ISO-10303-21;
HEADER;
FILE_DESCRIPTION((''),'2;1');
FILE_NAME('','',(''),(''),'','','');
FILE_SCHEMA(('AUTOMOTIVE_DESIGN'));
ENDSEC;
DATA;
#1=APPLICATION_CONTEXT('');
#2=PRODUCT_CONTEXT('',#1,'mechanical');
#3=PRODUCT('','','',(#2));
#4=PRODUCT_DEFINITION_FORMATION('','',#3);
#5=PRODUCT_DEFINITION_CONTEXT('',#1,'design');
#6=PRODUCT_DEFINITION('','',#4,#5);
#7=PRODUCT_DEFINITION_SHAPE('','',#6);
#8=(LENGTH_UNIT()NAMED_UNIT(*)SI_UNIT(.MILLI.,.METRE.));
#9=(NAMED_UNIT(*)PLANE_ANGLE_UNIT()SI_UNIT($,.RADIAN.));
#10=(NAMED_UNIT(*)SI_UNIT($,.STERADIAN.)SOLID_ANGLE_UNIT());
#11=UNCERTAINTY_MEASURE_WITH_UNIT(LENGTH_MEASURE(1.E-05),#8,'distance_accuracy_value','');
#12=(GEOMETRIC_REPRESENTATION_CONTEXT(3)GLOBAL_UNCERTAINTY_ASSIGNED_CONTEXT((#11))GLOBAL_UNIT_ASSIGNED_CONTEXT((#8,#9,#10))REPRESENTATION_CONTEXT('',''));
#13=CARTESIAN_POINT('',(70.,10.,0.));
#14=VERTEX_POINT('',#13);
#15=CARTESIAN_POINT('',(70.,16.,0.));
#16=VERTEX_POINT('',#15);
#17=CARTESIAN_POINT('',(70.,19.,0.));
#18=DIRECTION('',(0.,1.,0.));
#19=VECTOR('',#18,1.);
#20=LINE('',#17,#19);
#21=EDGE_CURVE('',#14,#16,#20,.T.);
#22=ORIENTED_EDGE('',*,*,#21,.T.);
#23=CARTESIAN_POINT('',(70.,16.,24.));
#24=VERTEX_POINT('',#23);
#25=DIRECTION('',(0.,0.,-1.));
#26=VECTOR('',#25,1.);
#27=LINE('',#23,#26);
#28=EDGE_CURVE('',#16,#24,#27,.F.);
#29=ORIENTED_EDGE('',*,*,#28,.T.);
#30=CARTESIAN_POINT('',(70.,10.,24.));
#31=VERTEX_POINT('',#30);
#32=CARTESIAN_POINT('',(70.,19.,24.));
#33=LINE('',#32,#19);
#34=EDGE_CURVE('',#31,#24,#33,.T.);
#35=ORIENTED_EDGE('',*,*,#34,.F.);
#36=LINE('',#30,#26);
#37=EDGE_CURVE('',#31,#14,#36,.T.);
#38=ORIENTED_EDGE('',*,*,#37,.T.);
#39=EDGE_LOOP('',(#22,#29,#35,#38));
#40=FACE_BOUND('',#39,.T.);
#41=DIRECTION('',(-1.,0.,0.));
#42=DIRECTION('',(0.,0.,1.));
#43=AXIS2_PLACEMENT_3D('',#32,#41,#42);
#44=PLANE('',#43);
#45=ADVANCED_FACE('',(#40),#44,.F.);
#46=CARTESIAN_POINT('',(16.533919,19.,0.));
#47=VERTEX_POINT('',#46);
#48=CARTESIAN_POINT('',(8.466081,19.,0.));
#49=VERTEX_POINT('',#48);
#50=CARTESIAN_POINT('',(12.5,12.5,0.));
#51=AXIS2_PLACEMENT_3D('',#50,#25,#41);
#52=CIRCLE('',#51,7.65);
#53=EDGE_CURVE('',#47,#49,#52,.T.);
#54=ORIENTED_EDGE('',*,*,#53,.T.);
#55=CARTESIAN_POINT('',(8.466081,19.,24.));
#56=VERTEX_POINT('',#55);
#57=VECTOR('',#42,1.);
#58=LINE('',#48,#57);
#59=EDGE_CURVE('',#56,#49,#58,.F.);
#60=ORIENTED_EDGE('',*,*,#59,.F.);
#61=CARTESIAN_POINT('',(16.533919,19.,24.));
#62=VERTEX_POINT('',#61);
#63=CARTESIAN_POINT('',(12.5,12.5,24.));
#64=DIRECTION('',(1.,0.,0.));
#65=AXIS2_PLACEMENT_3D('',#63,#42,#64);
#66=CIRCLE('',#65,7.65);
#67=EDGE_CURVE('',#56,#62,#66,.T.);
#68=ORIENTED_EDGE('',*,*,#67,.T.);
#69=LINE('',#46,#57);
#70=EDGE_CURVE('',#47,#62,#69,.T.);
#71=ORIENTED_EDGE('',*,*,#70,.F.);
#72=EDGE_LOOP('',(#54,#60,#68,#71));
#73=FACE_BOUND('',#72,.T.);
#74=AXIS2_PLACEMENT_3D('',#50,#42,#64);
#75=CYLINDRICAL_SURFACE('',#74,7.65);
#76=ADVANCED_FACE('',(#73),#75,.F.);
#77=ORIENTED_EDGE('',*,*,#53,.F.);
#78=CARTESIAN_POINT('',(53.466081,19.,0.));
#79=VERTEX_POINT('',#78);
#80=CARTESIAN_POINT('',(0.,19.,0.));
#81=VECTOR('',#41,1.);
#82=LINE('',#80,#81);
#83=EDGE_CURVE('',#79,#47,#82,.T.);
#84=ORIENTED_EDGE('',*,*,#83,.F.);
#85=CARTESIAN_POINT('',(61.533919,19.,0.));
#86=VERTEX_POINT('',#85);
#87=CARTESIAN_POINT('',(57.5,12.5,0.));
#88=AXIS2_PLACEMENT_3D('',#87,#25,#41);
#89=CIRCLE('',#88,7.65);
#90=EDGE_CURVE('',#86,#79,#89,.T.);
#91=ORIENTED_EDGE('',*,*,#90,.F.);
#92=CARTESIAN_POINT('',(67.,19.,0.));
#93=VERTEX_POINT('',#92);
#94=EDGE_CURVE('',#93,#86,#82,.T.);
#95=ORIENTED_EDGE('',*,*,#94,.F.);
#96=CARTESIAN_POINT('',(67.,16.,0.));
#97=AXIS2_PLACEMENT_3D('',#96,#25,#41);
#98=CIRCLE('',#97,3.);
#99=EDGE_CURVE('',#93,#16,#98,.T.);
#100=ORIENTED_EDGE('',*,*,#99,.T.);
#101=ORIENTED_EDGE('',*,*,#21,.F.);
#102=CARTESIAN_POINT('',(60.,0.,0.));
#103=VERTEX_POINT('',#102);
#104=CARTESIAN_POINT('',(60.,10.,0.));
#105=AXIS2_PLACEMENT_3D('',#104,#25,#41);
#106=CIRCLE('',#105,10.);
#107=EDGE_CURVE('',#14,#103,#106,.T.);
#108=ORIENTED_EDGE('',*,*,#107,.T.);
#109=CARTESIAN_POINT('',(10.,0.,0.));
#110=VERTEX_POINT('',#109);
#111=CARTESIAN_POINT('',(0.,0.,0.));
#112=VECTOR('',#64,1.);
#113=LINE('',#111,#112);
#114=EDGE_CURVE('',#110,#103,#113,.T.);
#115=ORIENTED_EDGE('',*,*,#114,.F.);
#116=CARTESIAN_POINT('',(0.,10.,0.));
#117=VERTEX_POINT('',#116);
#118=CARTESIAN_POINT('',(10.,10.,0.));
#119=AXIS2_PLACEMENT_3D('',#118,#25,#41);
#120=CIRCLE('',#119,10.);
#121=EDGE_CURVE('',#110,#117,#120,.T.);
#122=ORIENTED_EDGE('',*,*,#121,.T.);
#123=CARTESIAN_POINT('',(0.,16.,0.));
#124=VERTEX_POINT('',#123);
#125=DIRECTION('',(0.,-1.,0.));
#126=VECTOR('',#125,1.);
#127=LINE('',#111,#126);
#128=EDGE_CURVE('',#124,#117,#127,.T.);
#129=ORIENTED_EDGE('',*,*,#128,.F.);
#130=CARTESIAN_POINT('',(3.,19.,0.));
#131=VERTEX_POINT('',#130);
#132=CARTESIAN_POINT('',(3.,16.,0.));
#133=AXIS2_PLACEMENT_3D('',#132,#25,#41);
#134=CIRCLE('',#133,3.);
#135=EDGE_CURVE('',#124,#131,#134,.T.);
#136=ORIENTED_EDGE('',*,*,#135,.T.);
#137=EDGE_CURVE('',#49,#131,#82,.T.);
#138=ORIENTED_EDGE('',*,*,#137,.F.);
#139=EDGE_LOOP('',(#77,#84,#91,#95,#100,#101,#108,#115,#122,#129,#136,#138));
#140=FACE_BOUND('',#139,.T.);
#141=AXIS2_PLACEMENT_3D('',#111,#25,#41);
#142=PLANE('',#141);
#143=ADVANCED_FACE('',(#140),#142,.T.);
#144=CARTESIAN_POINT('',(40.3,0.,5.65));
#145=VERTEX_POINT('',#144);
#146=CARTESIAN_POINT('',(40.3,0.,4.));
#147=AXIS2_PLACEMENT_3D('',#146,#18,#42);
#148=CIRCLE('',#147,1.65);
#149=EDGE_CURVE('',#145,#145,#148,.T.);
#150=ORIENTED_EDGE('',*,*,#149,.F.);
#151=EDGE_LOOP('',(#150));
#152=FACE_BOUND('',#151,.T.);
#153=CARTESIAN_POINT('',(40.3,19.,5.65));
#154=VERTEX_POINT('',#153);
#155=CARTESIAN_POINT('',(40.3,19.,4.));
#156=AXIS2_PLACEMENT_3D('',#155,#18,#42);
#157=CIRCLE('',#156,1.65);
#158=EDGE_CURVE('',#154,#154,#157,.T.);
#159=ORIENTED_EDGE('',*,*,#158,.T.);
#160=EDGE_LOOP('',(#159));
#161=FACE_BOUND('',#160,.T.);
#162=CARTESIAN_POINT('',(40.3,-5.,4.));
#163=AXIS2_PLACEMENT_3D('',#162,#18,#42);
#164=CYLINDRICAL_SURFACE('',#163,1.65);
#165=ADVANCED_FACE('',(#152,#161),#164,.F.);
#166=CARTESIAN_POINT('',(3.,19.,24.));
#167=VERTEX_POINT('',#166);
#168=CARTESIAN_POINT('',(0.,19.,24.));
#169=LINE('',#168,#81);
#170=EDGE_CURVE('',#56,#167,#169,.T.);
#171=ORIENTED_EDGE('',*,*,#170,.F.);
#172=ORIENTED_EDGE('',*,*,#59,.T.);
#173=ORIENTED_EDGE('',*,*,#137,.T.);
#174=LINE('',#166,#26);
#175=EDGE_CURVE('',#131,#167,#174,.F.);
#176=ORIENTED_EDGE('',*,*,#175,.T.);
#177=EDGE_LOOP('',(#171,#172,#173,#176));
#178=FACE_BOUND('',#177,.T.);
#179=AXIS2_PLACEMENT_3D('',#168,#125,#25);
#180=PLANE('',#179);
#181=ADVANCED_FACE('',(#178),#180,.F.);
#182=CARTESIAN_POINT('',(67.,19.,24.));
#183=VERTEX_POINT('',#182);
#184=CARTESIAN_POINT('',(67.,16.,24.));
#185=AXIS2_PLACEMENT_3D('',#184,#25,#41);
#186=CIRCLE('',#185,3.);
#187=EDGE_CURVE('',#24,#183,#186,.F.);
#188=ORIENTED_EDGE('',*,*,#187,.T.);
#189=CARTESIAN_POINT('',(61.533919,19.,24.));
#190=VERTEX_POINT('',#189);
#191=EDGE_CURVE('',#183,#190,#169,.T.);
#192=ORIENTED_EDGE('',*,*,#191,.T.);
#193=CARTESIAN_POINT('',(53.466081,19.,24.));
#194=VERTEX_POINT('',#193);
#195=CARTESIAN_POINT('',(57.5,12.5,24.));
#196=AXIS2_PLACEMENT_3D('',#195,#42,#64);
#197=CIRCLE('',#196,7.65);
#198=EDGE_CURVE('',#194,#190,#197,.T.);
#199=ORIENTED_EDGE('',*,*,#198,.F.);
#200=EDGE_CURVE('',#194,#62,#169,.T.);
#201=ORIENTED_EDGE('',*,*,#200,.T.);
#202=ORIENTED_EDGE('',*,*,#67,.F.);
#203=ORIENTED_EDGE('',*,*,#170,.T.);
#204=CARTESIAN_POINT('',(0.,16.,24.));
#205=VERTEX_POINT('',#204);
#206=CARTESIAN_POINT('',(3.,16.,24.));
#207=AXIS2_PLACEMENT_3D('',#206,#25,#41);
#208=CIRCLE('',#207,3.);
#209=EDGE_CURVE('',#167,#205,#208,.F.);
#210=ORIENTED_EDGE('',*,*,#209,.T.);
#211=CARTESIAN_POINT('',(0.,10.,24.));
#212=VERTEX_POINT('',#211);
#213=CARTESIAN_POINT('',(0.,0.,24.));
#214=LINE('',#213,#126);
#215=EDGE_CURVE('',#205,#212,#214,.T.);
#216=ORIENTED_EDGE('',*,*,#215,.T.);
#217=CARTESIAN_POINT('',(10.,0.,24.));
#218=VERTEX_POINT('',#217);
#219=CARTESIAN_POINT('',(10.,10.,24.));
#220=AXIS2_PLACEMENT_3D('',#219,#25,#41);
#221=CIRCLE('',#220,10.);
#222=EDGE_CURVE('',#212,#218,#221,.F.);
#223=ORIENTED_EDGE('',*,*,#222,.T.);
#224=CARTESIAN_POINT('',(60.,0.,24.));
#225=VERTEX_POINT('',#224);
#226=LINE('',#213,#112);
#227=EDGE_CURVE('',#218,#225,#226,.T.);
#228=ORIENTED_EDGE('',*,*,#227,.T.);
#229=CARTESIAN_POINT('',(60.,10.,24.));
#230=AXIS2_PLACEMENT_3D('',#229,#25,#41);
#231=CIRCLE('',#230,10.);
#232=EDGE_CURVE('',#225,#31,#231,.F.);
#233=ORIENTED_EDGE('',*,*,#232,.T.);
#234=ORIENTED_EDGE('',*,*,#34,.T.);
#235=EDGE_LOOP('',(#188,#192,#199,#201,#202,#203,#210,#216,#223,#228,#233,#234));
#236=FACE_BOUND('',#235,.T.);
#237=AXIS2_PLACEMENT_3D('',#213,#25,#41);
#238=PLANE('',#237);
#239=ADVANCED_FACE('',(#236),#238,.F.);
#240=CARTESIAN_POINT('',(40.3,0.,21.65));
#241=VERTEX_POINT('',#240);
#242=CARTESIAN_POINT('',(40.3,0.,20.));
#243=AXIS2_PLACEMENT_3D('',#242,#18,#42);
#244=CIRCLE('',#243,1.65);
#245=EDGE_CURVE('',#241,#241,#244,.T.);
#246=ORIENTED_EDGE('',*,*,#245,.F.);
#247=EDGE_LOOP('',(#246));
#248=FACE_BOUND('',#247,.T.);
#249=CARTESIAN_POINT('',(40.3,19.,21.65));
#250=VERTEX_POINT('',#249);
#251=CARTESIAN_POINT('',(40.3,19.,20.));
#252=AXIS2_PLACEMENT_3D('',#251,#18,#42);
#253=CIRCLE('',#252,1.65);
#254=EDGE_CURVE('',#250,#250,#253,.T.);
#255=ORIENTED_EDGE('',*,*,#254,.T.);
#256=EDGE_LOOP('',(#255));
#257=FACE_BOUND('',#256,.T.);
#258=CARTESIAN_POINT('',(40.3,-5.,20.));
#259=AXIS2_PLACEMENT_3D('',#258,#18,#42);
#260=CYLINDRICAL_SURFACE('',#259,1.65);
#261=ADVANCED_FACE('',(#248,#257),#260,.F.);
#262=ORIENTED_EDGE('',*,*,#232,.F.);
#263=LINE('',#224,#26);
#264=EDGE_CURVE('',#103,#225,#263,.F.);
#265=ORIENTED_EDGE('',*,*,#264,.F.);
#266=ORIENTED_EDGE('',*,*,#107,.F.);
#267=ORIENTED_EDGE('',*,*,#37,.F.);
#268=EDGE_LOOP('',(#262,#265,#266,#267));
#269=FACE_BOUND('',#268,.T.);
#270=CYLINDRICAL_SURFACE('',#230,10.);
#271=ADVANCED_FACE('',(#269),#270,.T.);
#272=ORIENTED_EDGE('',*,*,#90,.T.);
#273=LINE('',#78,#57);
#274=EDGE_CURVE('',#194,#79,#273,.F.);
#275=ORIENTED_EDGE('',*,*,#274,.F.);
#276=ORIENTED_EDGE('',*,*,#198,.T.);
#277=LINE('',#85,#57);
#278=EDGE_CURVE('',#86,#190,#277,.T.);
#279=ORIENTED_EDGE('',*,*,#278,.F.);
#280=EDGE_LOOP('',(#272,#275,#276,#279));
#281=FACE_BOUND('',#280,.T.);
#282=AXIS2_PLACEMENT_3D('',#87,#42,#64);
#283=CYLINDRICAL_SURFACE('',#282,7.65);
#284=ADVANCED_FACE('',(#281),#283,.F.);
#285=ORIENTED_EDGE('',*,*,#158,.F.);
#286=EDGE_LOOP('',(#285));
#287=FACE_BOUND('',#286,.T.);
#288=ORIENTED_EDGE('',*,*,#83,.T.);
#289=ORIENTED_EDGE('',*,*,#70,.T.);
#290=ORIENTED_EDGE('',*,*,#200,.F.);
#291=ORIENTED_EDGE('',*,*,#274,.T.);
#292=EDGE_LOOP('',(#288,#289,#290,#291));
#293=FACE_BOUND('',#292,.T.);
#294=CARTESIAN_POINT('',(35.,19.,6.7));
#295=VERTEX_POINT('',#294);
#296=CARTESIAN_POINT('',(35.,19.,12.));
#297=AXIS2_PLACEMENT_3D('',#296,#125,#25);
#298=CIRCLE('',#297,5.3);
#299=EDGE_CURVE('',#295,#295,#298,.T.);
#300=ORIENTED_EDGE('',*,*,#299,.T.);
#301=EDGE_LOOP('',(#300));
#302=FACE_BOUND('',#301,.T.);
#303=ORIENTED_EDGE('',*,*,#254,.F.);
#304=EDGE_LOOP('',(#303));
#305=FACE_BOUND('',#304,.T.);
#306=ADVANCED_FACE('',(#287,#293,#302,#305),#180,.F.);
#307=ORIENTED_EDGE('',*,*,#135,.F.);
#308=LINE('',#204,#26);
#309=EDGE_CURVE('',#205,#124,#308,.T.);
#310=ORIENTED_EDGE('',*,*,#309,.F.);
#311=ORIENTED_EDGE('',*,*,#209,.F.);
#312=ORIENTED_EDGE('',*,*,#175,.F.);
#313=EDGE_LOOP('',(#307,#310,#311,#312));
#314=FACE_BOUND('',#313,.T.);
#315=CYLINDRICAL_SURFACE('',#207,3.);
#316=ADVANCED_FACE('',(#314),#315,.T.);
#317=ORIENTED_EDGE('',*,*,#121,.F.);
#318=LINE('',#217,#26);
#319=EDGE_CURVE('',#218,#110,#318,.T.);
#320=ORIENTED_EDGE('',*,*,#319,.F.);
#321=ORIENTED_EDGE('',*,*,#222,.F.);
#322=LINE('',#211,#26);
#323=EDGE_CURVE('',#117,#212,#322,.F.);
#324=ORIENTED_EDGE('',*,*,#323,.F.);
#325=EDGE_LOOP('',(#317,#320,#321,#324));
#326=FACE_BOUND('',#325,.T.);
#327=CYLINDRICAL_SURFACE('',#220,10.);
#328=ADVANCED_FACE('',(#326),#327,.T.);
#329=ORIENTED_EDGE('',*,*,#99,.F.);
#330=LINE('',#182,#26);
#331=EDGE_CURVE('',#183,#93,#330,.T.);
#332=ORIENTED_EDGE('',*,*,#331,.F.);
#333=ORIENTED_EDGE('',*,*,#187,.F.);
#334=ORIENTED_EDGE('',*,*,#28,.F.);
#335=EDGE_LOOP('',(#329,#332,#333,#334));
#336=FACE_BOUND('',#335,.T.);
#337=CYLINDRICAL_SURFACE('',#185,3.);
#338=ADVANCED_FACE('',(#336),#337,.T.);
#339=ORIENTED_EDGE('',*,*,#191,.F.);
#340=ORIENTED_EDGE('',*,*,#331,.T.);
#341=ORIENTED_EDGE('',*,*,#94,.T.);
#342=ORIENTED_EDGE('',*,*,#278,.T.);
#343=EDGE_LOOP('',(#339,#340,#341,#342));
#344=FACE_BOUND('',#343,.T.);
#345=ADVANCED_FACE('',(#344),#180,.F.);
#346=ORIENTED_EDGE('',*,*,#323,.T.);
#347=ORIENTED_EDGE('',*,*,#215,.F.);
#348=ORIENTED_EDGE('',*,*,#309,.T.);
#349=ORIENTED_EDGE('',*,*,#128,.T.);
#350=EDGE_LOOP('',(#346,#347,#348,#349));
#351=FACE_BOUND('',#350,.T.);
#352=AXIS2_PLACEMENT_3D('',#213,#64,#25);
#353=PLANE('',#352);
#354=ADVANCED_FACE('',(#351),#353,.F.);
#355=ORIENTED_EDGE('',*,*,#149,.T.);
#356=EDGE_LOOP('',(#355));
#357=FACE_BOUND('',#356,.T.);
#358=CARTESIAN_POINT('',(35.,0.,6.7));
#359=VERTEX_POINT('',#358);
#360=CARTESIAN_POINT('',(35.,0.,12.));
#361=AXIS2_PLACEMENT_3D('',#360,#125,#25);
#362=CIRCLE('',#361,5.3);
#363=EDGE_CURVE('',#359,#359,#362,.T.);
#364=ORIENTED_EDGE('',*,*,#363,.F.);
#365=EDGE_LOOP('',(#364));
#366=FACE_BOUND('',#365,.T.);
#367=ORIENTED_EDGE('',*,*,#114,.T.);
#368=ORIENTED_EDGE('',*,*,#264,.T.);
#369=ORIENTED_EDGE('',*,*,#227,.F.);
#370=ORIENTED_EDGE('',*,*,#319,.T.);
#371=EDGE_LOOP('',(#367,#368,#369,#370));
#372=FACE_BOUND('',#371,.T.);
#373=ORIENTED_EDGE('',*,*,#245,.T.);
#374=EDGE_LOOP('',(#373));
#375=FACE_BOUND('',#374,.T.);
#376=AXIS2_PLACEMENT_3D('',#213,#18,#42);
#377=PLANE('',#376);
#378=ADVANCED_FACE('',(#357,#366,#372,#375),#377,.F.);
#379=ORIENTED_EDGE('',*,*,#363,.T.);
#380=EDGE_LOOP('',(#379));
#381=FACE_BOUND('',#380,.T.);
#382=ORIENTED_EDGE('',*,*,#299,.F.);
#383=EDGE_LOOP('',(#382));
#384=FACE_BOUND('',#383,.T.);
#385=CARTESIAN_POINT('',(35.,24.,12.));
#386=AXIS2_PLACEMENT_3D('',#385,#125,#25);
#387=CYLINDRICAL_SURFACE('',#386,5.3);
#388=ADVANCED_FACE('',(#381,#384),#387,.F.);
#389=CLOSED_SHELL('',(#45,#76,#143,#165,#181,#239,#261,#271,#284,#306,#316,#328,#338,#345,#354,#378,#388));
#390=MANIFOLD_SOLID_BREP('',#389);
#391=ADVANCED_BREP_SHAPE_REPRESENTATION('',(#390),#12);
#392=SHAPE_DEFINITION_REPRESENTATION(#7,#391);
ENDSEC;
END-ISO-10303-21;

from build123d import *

# Parameters (mm, degrees)
SKETCH_1_W          = 70
SKETCH_1_H          = 19
EXTRUDE_1_DEPTH     = 24
SKETCH_2_R          = 7.65
CUT_EXTRUDE_1_DEPTH = 24
SKETCH_3_R          = 5.3
CUT_EXTRUDE_2_DEPTH = 24
FILLET_1_R          = 10
FILLET_4_R          = 3
FILLET_5_R          = 10
FILLET_6_R          = 3
SKETCH_4_R          = 1.65
CUT_EXTRUDE_3_DEPTH = 24


with BuildPart() as part:
    # 草图1 → 凸台-拉伸1 (new body)
    with BuildSketch(Plane.XY):
        with Locations((35, 9.5)):
            Rectangle(SKETCH_1_W, SKETCH_1_H)
    extrude(amount=EXTRUDE_1_DEPTH)

    # 草图2 → 切除-拉伸1 (cut)
    with BuildSketch(Plane.XY.offset(24)):
        with Locations((57.5, 12.5)):
            Circle(SKETCH_2_R)
        with Locations((12.5, 12.5)):
            Circle(SKETCH_2_R)
    extrude(amount=-CUT_EXTRUDE_1_DEPTH, mode=Mode.SUBTRACT)

    # 草图3 → 切除-拉伸2 (cut)
    with BuildSketch(Plane.XZ):
        with Locations((35, 12)):
            Circle(SKETCH_3_R)
    extrude(amount=-CUT_EXTRUDE_2_DEPTH, mode=Mode.SUBTRACT)

    # 圆角1
    fillet_1_edges = [part.edges().sort_by_distance(p)[0] for p in [
        (0, 0, 12),
    ]]
    fillet(fillet_1_edges, radius=FILLET_1_R)

    # 圆角4
    fillet_4_edges = [part.edges().sort_by_distance(p)[0] for p in [
        (0, 19, 12),
    ]]
    fillet(fillet_4_edges, radius=FILLET_4_R)

    # 圆角5
    fillet_5_edges = [part.edges().sort_by_distance(p)[0] for p in [
        (70, 0, 12),
    ]]
    fillet(fillet_5_edges, radius=FILLET_5_R)

    # 圆角6
    fillet_6_edges = [part.edges().sort_by_distance(p)[0] for p in [
        (70, 19, 12),
    ]]
    fillet(fillet_6_edges, radius=FILLET_6_R)

    # 草图4 → 切除-拉伸3 (cut)
    with BuildSketch(Plane(origin=(0, 19, 0), x_dir=(1, 0, 0), z_dir=(0, 1, 0))):
        with Locations((40.3, -20)):
            Circle(SKETCH_4_R)
        with Locations((40.3, -4)):
            Circle(SKETCH_4_R)
    extrude(amount=-CUT_EXTRUDE_3_DEPTH, mode=Mode.SUBTRACT)


solid = part.part
